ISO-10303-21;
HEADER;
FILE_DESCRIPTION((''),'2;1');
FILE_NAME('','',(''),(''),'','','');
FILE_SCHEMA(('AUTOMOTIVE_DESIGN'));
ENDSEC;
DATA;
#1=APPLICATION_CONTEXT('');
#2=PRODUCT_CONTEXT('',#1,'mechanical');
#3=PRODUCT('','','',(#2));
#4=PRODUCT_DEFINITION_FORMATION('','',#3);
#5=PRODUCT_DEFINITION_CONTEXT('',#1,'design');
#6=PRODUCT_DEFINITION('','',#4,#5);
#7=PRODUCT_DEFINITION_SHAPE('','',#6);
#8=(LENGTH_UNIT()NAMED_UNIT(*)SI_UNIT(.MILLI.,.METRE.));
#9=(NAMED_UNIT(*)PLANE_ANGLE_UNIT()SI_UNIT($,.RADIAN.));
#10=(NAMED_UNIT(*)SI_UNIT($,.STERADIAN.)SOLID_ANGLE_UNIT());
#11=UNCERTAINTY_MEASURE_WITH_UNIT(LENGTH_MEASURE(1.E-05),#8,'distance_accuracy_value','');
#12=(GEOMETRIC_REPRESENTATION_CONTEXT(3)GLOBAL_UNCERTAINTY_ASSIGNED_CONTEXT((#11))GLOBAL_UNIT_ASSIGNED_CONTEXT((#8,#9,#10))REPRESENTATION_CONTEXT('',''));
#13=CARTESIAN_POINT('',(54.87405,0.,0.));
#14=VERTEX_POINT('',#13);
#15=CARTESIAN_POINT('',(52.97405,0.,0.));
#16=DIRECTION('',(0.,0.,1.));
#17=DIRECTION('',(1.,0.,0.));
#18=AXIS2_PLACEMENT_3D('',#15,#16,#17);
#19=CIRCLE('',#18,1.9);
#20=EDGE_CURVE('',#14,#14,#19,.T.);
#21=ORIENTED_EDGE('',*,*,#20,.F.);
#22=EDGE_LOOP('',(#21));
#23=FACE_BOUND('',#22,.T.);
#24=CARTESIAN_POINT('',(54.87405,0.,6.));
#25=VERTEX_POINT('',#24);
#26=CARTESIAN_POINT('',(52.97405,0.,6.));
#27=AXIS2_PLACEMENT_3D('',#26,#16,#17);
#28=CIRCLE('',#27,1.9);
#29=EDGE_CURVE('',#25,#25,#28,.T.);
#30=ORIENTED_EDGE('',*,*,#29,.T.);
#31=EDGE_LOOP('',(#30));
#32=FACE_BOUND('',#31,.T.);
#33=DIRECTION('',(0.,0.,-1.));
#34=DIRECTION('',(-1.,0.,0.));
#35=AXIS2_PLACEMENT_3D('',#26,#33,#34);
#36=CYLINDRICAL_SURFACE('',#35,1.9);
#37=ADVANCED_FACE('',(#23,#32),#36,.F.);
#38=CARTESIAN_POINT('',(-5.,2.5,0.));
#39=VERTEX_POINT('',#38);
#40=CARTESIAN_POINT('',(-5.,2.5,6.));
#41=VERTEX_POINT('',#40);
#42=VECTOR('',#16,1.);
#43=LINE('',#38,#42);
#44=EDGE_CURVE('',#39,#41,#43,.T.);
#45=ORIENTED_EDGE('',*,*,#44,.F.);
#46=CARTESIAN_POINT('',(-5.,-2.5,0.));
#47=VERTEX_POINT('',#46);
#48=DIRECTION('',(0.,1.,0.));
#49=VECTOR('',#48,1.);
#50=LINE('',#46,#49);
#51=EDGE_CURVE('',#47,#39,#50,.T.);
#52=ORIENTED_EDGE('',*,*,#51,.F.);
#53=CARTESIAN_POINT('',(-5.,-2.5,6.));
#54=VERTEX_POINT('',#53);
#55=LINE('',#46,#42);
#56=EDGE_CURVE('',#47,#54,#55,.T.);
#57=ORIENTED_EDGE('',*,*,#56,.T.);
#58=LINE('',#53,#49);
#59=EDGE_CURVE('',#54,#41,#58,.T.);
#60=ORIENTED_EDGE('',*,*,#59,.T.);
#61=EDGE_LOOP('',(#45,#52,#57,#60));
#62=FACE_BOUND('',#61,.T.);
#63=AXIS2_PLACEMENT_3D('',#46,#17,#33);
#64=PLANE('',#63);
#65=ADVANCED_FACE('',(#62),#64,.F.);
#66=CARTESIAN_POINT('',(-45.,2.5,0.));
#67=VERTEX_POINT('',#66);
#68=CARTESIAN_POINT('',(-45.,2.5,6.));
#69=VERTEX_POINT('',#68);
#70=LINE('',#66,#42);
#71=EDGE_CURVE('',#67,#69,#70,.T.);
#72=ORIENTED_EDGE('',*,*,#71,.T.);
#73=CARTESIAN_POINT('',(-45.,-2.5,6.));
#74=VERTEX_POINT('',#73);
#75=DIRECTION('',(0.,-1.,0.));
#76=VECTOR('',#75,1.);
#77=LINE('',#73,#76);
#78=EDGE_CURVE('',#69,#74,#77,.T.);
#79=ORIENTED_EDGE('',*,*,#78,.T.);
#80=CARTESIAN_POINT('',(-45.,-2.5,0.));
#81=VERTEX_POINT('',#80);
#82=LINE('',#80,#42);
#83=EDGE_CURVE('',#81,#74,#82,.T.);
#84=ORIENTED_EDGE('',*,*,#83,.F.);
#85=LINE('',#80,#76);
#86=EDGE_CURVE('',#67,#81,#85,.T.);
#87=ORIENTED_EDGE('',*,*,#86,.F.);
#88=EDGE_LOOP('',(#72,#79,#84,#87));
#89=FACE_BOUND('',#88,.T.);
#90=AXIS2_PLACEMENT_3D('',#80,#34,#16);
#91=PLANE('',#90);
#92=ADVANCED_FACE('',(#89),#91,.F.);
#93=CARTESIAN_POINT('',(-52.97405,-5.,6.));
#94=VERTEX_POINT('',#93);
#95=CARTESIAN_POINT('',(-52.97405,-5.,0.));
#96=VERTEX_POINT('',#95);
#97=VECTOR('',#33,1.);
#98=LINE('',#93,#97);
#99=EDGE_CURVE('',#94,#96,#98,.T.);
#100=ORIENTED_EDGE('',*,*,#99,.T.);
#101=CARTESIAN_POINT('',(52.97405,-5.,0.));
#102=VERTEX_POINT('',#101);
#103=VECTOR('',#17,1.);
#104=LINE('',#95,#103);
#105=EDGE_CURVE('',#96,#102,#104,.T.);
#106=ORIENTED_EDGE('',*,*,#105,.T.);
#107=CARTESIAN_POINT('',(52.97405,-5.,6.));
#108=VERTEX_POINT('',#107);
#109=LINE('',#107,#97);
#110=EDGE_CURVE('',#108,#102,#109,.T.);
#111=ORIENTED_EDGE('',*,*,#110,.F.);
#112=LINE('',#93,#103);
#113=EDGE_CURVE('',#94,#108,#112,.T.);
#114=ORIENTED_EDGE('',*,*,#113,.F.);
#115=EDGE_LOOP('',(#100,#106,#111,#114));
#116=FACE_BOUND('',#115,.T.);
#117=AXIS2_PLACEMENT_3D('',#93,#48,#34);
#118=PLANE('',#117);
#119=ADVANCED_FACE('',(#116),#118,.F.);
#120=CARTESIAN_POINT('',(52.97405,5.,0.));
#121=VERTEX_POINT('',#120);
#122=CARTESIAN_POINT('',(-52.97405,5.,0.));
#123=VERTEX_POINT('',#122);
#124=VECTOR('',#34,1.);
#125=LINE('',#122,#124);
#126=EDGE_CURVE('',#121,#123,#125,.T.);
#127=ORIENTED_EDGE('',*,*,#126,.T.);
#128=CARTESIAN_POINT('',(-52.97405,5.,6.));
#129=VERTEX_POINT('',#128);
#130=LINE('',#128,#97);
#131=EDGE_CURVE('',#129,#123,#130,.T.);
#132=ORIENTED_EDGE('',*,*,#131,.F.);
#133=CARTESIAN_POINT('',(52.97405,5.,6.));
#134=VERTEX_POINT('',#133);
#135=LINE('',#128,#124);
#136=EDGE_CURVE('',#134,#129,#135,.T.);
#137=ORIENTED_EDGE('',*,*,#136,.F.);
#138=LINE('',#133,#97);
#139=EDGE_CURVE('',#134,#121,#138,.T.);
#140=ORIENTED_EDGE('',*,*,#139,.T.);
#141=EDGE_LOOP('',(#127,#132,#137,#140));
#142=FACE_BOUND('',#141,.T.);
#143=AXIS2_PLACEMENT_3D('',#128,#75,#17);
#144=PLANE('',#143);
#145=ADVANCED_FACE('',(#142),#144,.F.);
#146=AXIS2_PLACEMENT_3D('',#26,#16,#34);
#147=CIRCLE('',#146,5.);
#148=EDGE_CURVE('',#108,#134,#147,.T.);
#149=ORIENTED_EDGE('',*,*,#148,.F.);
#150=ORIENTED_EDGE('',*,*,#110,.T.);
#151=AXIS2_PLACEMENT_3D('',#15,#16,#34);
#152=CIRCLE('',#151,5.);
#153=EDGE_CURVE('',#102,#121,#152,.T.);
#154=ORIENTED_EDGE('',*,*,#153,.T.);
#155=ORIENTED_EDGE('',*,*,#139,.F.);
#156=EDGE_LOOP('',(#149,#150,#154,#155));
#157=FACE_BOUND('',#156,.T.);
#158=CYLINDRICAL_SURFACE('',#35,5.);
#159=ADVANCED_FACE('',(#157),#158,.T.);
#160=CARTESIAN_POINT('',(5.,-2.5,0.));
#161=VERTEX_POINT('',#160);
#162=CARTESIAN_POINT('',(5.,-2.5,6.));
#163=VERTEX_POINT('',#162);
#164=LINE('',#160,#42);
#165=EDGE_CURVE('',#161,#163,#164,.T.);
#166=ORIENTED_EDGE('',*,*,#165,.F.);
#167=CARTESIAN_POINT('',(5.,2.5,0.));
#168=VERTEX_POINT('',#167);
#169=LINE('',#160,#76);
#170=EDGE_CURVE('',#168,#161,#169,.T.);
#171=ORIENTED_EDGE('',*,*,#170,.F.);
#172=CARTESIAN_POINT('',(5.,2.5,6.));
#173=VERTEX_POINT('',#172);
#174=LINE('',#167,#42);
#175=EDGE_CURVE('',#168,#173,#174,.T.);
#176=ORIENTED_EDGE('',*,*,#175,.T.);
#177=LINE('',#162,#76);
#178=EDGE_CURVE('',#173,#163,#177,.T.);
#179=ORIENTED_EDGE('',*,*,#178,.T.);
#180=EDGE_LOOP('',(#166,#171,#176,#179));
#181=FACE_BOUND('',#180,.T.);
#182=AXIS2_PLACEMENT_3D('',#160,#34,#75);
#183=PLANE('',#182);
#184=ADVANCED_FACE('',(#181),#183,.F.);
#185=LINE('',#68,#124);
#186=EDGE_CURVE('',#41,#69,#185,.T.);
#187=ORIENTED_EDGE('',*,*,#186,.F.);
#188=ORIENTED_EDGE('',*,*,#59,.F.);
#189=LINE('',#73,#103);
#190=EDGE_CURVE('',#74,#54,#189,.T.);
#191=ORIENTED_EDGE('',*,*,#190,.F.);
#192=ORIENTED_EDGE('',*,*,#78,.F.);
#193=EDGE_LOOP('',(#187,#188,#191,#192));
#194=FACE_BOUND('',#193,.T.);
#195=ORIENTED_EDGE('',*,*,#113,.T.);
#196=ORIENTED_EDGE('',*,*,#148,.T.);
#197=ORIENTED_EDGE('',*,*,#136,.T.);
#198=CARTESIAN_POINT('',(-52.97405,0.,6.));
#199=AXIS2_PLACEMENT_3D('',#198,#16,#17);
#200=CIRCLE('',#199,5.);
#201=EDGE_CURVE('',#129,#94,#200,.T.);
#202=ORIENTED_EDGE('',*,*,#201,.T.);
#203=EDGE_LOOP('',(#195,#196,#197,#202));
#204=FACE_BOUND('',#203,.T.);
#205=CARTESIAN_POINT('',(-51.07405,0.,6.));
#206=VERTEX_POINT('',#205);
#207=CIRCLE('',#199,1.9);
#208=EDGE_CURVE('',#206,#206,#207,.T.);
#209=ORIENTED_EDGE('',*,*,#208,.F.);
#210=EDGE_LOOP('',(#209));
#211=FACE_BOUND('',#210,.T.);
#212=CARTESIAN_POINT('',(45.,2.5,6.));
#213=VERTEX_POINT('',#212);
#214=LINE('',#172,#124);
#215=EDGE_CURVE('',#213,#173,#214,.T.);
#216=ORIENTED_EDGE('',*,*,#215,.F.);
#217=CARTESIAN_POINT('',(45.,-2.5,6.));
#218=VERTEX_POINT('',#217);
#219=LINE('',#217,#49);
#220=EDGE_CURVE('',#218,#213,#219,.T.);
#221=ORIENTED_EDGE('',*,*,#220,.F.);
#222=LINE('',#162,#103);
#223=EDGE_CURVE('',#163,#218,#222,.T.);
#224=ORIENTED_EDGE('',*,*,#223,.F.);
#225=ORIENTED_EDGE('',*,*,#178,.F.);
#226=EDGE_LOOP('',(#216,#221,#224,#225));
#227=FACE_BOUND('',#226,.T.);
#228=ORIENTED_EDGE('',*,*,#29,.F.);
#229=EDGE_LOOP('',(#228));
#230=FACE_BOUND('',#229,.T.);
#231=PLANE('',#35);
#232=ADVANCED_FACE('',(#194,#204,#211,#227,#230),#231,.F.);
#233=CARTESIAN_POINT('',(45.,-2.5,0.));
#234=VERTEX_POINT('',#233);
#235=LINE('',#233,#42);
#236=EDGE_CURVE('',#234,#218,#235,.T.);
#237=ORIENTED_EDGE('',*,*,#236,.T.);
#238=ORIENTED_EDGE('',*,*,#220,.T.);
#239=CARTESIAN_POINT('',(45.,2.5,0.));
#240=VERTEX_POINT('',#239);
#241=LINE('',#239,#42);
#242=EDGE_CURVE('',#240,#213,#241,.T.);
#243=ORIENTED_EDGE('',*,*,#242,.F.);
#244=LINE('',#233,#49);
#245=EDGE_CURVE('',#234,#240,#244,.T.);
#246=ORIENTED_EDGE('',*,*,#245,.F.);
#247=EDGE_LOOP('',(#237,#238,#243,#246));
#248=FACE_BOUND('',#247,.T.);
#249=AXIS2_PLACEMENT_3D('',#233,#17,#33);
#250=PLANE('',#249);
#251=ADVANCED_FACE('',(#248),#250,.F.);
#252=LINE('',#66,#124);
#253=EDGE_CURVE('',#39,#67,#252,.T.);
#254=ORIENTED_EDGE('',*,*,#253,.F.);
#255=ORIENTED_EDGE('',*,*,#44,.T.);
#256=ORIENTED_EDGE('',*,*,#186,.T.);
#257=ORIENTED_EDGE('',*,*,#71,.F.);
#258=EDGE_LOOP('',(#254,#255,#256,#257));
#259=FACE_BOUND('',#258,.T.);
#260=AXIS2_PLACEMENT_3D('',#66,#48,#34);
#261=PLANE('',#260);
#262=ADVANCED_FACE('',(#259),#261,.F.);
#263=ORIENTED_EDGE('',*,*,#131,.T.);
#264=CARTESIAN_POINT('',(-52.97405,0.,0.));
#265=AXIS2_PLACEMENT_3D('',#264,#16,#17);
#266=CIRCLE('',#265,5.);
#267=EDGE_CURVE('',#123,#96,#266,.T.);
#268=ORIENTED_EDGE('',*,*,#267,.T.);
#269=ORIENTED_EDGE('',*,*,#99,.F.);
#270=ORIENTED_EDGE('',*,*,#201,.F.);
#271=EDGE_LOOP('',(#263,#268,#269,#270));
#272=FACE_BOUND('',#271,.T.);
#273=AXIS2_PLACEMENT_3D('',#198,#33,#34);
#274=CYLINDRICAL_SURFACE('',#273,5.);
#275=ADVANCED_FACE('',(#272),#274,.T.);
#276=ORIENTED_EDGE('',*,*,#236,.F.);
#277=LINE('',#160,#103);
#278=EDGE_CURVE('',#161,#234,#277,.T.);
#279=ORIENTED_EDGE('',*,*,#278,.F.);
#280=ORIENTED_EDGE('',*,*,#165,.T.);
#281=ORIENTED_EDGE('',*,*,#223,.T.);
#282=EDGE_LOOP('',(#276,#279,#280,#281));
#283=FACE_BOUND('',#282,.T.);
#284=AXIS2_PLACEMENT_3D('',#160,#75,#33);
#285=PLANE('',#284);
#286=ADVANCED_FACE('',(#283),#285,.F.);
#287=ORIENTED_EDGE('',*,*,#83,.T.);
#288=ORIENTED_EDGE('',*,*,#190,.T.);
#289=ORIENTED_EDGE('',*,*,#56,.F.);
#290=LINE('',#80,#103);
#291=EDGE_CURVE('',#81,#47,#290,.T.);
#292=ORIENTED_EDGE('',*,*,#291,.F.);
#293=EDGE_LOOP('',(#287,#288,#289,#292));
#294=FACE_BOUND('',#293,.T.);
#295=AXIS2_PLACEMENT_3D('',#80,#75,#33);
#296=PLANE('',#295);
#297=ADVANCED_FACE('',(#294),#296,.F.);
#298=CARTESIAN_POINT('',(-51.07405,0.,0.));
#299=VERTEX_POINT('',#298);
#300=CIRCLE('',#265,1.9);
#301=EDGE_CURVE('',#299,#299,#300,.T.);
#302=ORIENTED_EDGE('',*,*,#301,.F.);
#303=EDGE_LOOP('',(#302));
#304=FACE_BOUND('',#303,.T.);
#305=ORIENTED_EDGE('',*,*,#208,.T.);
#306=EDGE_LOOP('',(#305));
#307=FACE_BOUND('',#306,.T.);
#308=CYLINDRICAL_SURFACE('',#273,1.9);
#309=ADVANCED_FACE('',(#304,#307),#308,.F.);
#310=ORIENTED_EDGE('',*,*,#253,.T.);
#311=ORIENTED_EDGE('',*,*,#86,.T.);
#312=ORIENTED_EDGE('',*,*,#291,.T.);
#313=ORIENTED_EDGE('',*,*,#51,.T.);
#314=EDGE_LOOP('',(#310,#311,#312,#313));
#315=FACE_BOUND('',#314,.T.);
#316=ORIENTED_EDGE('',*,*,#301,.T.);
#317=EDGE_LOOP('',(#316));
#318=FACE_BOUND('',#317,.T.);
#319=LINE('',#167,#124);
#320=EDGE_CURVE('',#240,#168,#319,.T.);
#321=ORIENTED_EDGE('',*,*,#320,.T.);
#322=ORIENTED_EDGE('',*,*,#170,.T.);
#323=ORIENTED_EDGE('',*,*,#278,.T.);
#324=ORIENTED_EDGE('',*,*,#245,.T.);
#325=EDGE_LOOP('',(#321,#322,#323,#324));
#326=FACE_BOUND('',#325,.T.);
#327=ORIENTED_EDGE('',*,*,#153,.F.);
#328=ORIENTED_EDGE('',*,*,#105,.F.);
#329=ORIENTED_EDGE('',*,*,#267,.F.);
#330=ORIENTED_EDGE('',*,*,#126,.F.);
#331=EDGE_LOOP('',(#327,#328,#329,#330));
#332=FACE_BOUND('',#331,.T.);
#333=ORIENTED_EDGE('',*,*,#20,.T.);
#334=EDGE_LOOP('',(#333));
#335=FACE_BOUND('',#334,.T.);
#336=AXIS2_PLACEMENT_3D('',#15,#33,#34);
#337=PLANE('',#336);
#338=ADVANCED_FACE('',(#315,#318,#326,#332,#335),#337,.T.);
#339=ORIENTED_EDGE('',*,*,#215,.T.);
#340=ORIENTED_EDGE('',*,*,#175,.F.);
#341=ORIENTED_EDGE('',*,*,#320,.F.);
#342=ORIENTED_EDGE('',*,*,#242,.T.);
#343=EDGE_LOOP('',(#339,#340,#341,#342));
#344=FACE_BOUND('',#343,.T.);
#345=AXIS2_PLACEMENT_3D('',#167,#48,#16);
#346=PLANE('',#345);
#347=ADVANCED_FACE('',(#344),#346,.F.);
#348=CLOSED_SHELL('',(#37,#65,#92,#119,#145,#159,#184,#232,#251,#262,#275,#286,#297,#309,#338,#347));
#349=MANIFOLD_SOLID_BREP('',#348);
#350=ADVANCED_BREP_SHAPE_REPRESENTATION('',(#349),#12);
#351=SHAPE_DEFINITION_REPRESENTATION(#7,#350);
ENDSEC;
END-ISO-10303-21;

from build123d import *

# Parameters (mm, degrees)
SKETCH1_R           = 1.9
BOSS_EXTRUDE1_DEPTH = 6
SKETCH2_W           = 40
SKETCH2_H           = 5
CUT_EXTRUDE1_DEPTH  = 59.49778203


with BuildPart() as part:
    # Sketch1 → Boss-Extrude1 (new body)
    with BuildSketch(Plane.XY):
        with BuildLine():
            Line((-52.97405025, 5), (52.97405025, 5))
            ThreePointArc((52.97405025, 5), (57.97405025, 0), (52.97405025, -5))
            Line((52.97405025, -5), (-52.97405025, -5))
            ThreePointArc((-52.97405025, -5), (-57.97405025, 0), (-52.97405025, 5))
        make_face()
        with Locations((-52.97405025, 0)):
            Circle(SKETCH1_R, mode=Mode.SUBTRACT)
        with Locations((52.97405025, 0)):
            Circle(SKETCH1_R, mode=Mode.SUBTRACT)
    extrude(amount=BOSS_EXTRUDE1_DEPTH)

    # Sketch2 → Cut-Extrude1 (cut, through all)
    with BuildSketch(Plane.XY.offset(6)):
        with Locations((-25, 0)):
            Rectangle(SKETCH2_W, SKETCH2_H)
        with Locations((25, 0)):
            Rectangle(SKETCH2_W, SKETCH2_H)
    extrude(amount=-CUT_EXTRUDE1_DEPTH, mode=Mode.SUBTRACT)


solid = part.part
